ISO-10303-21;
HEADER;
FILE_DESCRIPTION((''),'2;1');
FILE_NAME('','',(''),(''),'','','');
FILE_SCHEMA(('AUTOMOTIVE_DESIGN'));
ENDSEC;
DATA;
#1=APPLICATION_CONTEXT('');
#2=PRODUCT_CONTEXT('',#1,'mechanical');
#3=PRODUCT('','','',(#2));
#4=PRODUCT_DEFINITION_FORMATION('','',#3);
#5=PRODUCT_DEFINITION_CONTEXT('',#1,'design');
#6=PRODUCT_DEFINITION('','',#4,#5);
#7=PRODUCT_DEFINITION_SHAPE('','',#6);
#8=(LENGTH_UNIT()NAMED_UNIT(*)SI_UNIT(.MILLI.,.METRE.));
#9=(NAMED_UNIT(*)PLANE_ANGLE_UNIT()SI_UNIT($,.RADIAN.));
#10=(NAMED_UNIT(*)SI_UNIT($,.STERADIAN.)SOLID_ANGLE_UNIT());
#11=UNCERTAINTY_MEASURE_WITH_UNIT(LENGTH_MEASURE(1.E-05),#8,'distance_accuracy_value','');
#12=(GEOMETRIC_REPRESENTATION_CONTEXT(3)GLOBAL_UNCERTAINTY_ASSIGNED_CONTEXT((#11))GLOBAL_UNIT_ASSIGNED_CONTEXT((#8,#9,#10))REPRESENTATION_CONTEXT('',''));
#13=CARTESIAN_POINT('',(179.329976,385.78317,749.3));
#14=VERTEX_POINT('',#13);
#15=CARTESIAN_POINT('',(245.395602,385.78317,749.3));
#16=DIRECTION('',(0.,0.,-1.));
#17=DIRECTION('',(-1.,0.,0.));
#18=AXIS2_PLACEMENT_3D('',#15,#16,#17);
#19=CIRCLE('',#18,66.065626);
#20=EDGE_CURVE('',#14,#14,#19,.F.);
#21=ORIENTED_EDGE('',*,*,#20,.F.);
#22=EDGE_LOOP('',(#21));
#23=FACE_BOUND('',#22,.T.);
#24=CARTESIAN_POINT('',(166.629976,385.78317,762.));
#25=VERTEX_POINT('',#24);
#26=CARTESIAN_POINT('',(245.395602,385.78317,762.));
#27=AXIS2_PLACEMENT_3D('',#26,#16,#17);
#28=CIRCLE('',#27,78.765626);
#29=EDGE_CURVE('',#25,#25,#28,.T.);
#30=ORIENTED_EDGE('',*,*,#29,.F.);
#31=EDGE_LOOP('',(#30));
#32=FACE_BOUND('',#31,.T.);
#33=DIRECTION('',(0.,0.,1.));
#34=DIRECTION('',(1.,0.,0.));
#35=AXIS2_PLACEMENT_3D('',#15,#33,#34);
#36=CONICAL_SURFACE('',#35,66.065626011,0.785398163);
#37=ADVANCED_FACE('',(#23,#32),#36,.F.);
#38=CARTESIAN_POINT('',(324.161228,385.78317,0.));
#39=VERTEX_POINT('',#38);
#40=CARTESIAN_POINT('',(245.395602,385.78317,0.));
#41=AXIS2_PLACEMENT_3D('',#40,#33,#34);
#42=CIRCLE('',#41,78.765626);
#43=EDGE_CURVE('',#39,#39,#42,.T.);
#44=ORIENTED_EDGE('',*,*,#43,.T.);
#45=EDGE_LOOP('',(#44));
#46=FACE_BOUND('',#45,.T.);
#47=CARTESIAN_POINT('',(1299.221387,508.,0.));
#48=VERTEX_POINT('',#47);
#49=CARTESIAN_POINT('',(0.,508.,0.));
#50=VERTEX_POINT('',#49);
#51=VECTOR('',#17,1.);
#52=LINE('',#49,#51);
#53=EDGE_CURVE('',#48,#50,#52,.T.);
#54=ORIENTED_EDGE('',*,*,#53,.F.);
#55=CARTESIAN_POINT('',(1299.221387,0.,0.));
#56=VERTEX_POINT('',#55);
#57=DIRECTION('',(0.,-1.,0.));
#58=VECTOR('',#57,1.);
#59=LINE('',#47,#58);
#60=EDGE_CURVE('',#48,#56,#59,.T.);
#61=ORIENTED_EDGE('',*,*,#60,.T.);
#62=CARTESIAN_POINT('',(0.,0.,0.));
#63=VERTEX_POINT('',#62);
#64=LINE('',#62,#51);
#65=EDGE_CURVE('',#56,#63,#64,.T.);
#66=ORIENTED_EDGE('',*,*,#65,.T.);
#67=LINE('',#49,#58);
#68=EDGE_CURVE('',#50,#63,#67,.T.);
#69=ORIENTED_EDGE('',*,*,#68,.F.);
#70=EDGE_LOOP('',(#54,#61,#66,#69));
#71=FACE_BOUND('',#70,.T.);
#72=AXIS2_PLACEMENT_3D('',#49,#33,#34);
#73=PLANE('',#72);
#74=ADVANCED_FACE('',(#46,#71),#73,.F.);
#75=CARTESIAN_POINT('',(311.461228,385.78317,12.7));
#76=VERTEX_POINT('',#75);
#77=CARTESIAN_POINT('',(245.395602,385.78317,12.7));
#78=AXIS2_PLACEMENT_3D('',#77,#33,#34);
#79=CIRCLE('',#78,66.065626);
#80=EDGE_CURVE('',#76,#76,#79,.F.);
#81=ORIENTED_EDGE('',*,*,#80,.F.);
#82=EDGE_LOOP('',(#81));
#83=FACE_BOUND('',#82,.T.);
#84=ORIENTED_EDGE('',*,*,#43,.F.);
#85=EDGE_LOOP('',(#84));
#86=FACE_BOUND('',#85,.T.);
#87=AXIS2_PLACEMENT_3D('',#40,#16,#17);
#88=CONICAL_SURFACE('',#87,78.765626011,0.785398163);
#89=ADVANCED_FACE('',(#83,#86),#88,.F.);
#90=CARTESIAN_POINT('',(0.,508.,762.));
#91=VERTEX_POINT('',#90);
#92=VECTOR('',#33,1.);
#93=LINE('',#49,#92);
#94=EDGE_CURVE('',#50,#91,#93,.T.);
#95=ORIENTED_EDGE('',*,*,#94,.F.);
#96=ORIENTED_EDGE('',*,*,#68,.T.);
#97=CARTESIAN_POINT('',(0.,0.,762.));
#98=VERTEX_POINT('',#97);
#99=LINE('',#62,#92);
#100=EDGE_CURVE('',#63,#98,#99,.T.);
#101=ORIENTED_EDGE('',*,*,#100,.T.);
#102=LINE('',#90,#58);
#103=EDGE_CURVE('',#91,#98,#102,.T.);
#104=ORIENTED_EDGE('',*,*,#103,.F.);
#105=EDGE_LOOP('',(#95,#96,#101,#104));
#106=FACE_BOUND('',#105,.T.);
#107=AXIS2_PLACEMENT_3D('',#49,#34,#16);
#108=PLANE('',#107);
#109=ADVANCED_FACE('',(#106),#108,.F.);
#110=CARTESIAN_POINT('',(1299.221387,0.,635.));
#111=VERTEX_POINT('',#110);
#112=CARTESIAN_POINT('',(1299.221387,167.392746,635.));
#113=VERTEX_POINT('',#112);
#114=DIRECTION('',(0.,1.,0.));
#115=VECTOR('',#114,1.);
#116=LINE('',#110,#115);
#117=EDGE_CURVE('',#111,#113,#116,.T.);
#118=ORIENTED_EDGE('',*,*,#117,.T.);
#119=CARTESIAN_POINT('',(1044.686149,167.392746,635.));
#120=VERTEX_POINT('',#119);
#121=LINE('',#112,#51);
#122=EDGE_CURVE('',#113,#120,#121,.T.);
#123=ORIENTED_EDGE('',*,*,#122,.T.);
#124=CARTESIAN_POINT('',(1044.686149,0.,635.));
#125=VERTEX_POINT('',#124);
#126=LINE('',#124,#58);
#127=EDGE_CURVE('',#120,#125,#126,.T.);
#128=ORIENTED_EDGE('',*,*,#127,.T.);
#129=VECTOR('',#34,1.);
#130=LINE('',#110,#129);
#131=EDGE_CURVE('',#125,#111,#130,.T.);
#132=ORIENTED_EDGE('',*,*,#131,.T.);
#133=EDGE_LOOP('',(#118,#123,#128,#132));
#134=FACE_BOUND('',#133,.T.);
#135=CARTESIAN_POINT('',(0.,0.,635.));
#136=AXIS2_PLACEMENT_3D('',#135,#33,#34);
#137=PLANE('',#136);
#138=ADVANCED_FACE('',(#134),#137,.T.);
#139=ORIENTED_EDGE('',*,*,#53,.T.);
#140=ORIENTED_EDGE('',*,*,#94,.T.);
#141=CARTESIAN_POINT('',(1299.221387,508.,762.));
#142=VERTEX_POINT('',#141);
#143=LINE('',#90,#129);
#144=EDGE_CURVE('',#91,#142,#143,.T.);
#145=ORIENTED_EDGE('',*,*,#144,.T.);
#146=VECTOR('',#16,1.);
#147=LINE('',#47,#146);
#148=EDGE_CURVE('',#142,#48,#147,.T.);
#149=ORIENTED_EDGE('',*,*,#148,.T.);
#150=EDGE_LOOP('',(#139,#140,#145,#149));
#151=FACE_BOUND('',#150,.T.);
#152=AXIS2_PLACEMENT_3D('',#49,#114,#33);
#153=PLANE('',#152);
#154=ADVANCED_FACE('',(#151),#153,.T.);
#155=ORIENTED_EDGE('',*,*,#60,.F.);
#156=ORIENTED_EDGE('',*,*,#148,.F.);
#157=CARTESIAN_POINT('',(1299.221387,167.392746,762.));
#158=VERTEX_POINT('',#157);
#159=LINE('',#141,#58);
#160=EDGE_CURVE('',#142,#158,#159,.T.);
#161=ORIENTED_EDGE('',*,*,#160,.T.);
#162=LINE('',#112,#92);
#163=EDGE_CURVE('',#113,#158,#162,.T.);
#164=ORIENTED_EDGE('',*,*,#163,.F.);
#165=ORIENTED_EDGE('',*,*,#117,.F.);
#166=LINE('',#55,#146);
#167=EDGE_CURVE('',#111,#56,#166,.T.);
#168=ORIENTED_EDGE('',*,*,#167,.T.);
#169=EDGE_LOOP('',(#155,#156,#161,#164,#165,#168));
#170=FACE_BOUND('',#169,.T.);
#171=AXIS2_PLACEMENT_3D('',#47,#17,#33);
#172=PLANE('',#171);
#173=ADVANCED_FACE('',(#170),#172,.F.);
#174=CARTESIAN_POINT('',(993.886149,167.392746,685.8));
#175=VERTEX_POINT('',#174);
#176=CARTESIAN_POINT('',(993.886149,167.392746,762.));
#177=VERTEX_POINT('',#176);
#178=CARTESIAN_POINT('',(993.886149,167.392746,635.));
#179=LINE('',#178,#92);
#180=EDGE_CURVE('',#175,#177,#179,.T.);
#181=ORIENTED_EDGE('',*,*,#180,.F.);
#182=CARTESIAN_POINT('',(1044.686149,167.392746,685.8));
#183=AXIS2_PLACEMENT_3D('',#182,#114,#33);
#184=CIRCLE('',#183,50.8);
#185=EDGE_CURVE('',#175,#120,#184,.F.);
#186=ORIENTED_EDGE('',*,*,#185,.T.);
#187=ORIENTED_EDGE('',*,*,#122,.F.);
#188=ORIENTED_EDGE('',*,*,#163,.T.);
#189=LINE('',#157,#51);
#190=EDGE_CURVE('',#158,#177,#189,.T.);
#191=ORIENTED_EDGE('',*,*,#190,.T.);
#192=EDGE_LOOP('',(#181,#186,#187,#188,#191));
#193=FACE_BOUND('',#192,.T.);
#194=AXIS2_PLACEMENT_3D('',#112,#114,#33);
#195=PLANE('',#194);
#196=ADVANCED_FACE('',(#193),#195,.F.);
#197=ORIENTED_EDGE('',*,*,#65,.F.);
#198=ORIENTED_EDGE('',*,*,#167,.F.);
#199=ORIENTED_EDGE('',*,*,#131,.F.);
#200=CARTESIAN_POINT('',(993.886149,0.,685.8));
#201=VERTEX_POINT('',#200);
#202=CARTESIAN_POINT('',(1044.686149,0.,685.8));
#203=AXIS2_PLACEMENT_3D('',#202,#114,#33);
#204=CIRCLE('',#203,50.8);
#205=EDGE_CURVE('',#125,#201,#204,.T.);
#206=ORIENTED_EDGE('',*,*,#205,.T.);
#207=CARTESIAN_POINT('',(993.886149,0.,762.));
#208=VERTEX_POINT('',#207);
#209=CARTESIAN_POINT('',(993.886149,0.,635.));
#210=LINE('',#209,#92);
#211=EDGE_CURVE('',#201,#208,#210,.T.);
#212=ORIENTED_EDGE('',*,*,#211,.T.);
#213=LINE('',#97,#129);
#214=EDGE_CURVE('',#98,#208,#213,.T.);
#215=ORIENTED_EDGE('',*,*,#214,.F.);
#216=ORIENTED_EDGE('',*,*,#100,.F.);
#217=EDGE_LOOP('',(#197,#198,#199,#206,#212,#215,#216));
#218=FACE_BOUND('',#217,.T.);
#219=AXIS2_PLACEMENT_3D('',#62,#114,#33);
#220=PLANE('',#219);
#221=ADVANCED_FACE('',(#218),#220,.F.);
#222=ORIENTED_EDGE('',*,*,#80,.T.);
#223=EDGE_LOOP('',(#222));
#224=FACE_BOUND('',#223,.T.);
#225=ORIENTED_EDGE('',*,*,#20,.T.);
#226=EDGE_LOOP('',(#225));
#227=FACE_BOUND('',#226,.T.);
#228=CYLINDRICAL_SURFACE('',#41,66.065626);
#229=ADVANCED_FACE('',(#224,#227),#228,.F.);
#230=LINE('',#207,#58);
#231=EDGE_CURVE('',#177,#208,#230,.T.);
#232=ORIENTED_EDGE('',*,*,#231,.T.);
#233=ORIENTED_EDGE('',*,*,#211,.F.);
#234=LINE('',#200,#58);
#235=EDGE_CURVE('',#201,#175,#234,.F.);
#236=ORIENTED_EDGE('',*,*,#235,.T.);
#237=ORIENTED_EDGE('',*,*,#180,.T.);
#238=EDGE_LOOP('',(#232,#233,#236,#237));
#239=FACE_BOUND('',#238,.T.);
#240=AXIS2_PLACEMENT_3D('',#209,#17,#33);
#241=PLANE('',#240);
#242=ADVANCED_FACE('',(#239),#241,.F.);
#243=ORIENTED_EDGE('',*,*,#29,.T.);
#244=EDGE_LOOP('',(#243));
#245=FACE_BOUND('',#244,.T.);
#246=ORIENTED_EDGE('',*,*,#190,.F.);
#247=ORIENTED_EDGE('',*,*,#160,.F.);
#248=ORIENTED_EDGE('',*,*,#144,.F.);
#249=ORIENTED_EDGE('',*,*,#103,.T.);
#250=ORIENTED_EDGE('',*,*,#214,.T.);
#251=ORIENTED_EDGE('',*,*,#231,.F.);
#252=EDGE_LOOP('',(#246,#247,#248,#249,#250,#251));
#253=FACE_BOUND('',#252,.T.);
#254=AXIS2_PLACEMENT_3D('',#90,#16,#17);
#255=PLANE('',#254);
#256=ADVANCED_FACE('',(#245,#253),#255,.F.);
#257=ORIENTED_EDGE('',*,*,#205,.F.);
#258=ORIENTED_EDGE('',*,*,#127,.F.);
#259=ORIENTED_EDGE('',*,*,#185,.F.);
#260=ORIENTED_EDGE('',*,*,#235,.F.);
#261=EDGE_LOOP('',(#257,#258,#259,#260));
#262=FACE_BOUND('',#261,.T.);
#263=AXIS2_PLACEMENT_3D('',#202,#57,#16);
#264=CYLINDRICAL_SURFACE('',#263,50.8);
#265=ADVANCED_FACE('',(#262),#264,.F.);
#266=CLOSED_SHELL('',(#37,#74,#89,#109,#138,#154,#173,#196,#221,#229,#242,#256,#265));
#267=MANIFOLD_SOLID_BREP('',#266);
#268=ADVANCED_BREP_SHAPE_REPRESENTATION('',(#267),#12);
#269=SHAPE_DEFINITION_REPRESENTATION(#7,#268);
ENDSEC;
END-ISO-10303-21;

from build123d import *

# Parameters (mm, degrees)
SKETCH1_W           = 1299.221386713
SKETCH1_H           = 762
BOSS_EXTRUDE2_DEPTH = 508
SKETCH3_R           = 90.110640619
BOSS_EXTRUDE4_DEPTH = 762
SKETCH4_R           = 66.065626011
CUT_EXTRUDE1_DEPTH  = 1590.554721201
CHAMFER3_SIZE       = 12.7
SKETCH5_W           = 305.335237322
SKETCH5_H           = 167.392745924
CUT_EXTRUDE2_DEPTH  = 127
FILLET3_R           = 50.8


with BuildPart() as part:
    # Sketch1 → Boss-Extrude2 (new body)
    with BuildSketch(Plane(origin=(0, 0, 0), x_dir=(1, 0, 0), z_dir=(0, 1, 0))):
        with Locations((649.610693357, -381)):
            Rectangle(SKETCH1_W, SKETCH1_H)
    extrude(amount=BOSS_EXTRUDE2_DEPTH)

    # Sketch3 → Boss-Extrude4 (add, through all)
    with BuildSketch(Plane.XY.offset(762)):
        with Locations((199.400638449, 376.804670273)):
            Circle(SKETCH3_R)
    extrude(amount=-BOSS_EXTRUDE4_DEPTH)

    # Sketch4 → Cut-Extrude1 (cut, through all)
    with BuildSketch(Plane.XY.offset(762)):
        with Locations((245.395602091, 385.783170349)):
            Circle(SKETCH4_R)
    extrude(amount=-CUT_EXTRUDE1_DEPTH, mode=Mode.SUBTRACT)

    # Chamfer3
    chamfer3_edges = [part.edges().sort_by_distance(p)[0] for p in [
        (179.329976081, 385.783170349, 0),
        (179.329976081, 385.783170349, 762),
    ]]
    chamfer(chamfer3_edges, length=CHAMFER3_SIZE)

    # Sketch5 → Cut-Extrude2 (cut)
    with BuildSketch(Plane.XY.offset(762)):
        with Locations((1146.553768052, 83.696372962)):
            Rectangle(SKETCH5_W, SKETCH5_H)
    extrude(amount=-CUT_EXTRUDE2_DEPTH, mode=Mode.SUBTRACT)

    # Fillet3
    fillet3_edges = [part.edges().sort_by_distance(p)[0] for p in [
        (993.886149391, 83.696372962, 635),
    ]]
    fillet(fillet3_edges, radius=FILLET3_R)


solid = part.part
